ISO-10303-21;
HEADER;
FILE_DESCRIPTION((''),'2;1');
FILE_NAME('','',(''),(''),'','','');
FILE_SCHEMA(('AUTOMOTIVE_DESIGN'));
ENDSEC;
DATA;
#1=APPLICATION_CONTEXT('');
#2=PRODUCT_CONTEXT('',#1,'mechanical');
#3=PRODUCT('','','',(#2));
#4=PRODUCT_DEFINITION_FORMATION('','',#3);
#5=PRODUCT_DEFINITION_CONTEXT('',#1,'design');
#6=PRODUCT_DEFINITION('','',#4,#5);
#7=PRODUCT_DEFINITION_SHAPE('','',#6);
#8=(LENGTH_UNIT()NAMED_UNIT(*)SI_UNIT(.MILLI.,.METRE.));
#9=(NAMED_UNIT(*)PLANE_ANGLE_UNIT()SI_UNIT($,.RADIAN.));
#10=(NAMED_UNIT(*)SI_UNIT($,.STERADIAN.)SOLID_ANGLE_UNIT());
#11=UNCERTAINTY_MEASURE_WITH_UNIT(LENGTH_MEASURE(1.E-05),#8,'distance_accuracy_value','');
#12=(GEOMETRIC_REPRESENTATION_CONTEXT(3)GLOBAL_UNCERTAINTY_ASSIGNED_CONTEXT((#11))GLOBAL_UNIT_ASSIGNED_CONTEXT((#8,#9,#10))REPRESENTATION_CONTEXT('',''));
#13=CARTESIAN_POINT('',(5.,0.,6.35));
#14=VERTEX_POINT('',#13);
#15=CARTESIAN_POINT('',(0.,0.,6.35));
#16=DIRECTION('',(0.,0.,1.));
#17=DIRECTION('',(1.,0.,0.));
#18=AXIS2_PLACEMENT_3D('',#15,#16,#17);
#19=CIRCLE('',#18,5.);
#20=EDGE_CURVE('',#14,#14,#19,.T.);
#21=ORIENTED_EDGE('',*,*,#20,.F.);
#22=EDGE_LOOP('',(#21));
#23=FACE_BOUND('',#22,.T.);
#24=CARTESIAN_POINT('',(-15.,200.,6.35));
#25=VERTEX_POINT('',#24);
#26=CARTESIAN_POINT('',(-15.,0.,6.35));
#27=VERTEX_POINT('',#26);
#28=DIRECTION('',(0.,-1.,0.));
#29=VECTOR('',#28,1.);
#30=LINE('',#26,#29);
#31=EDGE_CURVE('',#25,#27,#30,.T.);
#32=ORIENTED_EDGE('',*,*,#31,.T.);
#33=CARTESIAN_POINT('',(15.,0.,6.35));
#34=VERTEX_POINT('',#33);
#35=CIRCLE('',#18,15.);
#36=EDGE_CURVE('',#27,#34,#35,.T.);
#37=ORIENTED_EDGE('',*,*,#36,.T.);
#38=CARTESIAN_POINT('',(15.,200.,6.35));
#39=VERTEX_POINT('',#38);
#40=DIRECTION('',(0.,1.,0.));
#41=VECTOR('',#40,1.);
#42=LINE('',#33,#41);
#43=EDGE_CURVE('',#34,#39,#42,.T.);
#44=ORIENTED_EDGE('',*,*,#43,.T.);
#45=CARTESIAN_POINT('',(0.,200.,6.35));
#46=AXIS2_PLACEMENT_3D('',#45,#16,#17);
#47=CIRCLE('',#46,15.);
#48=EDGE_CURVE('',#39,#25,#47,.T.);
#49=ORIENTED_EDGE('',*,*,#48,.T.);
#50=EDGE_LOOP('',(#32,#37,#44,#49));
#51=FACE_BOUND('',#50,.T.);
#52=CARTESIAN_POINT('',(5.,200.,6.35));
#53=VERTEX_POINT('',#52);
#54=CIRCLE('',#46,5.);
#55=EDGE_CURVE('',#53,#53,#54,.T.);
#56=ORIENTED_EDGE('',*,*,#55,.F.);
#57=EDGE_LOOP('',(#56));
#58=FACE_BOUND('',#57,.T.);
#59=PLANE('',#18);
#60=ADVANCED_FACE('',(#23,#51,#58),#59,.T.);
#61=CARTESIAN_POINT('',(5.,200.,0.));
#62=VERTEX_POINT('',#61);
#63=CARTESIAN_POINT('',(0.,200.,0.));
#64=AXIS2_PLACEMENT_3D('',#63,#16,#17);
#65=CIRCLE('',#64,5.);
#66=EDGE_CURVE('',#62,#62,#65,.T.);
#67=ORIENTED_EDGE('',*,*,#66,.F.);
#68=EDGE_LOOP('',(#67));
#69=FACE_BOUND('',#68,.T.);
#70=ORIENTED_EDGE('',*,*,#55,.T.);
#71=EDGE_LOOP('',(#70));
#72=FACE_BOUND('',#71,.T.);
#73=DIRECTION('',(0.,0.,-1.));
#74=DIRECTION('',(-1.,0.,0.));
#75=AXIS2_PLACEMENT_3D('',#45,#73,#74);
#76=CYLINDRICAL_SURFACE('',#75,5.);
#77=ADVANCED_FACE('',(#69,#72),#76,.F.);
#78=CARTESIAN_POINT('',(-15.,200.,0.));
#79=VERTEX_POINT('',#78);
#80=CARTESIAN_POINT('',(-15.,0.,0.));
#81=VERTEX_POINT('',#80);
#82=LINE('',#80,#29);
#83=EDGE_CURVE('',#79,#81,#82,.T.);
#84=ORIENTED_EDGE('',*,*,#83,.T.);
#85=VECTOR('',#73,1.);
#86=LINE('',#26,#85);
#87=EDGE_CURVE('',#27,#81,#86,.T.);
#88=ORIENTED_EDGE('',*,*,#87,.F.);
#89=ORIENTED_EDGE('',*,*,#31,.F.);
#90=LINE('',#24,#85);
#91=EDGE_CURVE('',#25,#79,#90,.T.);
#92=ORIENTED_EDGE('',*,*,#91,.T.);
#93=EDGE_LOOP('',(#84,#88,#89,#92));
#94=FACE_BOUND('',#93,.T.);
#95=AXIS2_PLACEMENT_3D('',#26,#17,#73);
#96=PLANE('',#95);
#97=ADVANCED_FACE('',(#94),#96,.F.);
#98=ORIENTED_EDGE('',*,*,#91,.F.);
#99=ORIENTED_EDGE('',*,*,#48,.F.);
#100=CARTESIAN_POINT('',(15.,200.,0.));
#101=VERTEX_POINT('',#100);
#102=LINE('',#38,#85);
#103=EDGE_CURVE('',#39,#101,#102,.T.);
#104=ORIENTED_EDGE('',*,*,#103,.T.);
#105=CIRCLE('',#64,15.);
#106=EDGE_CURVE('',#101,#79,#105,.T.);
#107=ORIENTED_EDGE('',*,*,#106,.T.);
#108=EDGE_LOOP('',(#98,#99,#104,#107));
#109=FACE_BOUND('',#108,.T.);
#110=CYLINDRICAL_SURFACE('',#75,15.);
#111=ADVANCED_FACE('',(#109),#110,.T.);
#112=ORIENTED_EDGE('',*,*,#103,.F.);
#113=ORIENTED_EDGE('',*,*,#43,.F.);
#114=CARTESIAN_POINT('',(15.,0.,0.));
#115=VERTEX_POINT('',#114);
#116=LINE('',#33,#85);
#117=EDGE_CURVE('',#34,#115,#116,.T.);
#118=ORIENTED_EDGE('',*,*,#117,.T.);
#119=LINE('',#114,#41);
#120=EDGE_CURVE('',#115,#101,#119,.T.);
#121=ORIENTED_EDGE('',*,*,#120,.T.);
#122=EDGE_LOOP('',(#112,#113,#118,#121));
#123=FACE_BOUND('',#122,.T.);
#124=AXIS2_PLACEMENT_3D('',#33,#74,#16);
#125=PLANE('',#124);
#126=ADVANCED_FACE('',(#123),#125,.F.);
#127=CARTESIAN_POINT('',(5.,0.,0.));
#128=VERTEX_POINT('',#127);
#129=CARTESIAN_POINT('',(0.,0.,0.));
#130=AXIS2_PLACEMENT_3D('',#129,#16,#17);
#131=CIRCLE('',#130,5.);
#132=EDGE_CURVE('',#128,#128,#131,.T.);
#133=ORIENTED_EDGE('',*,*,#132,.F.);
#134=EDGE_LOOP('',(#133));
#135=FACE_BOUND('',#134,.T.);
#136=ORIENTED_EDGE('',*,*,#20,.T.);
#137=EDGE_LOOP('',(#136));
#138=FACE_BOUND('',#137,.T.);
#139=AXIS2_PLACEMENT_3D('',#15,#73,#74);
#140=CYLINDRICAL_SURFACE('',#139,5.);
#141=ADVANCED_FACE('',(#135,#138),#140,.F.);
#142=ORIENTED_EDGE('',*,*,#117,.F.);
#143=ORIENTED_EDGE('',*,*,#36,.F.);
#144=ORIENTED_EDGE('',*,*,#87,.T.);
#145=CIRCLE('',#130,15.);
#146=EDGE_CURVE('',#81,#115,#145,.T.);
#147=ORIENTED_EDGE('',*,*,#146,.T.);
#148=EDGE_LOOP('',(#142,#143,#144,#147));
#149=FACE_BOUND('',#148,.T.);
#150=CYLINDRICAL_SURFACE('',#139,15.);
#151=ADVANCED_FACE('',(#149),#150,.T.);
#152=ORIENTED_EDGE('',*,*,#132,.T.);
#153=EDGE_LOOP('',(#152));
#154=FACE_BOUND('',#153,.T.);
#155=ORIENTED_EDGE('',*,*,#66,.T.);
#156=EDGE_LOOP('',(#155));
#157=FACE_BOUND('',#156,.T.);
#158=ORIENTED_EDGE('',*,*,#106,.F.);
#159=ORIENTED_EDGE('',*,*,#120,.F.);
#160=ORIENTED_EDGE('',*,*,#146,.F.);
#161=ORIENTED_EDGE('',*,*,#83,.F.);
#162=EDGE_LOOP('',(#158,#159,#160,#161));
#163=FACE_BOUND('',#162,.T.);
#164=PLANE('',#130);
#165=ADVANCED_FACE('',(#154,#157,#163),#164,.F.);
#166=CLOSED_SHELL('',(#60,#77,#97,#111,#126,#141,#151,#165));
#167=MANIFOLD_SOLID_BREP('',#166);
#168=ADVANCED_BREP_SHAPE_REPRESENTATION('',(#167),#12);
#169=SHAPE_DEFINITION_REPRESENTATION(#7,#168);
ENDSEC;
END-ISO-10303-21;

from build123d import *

# Parameters (mm, degrees)
ESBO_O1_R                = 5
RESSALTO_EXTRUS_O1_DEPTH = 6.35


with BuildPart() as part:
    # Esboço1 → Ressalto-extrusão1 (new body)
    with BuildSketch(Plane.XY):
        with BuildLine():
            Line((-15, 0), (-15, 200))
            ThreePointArc((-15, 200), (0, 215), (15, 200))
            Line((15, 200), (15, 0))
            ThreePointArc((15, 0), (0, -15), (-15, 0))
        make_face()
        with Locations((0, 200)):
            Circle(ESBO_O1_R, mode=Mode.SUBTRACT)
        Circle(ESBO_O1_R, mode=Mode.SUBTRACT)
    extrude(amount=RESSALTO_EXTRUS_O1_DEPTH)


solid = part.part
